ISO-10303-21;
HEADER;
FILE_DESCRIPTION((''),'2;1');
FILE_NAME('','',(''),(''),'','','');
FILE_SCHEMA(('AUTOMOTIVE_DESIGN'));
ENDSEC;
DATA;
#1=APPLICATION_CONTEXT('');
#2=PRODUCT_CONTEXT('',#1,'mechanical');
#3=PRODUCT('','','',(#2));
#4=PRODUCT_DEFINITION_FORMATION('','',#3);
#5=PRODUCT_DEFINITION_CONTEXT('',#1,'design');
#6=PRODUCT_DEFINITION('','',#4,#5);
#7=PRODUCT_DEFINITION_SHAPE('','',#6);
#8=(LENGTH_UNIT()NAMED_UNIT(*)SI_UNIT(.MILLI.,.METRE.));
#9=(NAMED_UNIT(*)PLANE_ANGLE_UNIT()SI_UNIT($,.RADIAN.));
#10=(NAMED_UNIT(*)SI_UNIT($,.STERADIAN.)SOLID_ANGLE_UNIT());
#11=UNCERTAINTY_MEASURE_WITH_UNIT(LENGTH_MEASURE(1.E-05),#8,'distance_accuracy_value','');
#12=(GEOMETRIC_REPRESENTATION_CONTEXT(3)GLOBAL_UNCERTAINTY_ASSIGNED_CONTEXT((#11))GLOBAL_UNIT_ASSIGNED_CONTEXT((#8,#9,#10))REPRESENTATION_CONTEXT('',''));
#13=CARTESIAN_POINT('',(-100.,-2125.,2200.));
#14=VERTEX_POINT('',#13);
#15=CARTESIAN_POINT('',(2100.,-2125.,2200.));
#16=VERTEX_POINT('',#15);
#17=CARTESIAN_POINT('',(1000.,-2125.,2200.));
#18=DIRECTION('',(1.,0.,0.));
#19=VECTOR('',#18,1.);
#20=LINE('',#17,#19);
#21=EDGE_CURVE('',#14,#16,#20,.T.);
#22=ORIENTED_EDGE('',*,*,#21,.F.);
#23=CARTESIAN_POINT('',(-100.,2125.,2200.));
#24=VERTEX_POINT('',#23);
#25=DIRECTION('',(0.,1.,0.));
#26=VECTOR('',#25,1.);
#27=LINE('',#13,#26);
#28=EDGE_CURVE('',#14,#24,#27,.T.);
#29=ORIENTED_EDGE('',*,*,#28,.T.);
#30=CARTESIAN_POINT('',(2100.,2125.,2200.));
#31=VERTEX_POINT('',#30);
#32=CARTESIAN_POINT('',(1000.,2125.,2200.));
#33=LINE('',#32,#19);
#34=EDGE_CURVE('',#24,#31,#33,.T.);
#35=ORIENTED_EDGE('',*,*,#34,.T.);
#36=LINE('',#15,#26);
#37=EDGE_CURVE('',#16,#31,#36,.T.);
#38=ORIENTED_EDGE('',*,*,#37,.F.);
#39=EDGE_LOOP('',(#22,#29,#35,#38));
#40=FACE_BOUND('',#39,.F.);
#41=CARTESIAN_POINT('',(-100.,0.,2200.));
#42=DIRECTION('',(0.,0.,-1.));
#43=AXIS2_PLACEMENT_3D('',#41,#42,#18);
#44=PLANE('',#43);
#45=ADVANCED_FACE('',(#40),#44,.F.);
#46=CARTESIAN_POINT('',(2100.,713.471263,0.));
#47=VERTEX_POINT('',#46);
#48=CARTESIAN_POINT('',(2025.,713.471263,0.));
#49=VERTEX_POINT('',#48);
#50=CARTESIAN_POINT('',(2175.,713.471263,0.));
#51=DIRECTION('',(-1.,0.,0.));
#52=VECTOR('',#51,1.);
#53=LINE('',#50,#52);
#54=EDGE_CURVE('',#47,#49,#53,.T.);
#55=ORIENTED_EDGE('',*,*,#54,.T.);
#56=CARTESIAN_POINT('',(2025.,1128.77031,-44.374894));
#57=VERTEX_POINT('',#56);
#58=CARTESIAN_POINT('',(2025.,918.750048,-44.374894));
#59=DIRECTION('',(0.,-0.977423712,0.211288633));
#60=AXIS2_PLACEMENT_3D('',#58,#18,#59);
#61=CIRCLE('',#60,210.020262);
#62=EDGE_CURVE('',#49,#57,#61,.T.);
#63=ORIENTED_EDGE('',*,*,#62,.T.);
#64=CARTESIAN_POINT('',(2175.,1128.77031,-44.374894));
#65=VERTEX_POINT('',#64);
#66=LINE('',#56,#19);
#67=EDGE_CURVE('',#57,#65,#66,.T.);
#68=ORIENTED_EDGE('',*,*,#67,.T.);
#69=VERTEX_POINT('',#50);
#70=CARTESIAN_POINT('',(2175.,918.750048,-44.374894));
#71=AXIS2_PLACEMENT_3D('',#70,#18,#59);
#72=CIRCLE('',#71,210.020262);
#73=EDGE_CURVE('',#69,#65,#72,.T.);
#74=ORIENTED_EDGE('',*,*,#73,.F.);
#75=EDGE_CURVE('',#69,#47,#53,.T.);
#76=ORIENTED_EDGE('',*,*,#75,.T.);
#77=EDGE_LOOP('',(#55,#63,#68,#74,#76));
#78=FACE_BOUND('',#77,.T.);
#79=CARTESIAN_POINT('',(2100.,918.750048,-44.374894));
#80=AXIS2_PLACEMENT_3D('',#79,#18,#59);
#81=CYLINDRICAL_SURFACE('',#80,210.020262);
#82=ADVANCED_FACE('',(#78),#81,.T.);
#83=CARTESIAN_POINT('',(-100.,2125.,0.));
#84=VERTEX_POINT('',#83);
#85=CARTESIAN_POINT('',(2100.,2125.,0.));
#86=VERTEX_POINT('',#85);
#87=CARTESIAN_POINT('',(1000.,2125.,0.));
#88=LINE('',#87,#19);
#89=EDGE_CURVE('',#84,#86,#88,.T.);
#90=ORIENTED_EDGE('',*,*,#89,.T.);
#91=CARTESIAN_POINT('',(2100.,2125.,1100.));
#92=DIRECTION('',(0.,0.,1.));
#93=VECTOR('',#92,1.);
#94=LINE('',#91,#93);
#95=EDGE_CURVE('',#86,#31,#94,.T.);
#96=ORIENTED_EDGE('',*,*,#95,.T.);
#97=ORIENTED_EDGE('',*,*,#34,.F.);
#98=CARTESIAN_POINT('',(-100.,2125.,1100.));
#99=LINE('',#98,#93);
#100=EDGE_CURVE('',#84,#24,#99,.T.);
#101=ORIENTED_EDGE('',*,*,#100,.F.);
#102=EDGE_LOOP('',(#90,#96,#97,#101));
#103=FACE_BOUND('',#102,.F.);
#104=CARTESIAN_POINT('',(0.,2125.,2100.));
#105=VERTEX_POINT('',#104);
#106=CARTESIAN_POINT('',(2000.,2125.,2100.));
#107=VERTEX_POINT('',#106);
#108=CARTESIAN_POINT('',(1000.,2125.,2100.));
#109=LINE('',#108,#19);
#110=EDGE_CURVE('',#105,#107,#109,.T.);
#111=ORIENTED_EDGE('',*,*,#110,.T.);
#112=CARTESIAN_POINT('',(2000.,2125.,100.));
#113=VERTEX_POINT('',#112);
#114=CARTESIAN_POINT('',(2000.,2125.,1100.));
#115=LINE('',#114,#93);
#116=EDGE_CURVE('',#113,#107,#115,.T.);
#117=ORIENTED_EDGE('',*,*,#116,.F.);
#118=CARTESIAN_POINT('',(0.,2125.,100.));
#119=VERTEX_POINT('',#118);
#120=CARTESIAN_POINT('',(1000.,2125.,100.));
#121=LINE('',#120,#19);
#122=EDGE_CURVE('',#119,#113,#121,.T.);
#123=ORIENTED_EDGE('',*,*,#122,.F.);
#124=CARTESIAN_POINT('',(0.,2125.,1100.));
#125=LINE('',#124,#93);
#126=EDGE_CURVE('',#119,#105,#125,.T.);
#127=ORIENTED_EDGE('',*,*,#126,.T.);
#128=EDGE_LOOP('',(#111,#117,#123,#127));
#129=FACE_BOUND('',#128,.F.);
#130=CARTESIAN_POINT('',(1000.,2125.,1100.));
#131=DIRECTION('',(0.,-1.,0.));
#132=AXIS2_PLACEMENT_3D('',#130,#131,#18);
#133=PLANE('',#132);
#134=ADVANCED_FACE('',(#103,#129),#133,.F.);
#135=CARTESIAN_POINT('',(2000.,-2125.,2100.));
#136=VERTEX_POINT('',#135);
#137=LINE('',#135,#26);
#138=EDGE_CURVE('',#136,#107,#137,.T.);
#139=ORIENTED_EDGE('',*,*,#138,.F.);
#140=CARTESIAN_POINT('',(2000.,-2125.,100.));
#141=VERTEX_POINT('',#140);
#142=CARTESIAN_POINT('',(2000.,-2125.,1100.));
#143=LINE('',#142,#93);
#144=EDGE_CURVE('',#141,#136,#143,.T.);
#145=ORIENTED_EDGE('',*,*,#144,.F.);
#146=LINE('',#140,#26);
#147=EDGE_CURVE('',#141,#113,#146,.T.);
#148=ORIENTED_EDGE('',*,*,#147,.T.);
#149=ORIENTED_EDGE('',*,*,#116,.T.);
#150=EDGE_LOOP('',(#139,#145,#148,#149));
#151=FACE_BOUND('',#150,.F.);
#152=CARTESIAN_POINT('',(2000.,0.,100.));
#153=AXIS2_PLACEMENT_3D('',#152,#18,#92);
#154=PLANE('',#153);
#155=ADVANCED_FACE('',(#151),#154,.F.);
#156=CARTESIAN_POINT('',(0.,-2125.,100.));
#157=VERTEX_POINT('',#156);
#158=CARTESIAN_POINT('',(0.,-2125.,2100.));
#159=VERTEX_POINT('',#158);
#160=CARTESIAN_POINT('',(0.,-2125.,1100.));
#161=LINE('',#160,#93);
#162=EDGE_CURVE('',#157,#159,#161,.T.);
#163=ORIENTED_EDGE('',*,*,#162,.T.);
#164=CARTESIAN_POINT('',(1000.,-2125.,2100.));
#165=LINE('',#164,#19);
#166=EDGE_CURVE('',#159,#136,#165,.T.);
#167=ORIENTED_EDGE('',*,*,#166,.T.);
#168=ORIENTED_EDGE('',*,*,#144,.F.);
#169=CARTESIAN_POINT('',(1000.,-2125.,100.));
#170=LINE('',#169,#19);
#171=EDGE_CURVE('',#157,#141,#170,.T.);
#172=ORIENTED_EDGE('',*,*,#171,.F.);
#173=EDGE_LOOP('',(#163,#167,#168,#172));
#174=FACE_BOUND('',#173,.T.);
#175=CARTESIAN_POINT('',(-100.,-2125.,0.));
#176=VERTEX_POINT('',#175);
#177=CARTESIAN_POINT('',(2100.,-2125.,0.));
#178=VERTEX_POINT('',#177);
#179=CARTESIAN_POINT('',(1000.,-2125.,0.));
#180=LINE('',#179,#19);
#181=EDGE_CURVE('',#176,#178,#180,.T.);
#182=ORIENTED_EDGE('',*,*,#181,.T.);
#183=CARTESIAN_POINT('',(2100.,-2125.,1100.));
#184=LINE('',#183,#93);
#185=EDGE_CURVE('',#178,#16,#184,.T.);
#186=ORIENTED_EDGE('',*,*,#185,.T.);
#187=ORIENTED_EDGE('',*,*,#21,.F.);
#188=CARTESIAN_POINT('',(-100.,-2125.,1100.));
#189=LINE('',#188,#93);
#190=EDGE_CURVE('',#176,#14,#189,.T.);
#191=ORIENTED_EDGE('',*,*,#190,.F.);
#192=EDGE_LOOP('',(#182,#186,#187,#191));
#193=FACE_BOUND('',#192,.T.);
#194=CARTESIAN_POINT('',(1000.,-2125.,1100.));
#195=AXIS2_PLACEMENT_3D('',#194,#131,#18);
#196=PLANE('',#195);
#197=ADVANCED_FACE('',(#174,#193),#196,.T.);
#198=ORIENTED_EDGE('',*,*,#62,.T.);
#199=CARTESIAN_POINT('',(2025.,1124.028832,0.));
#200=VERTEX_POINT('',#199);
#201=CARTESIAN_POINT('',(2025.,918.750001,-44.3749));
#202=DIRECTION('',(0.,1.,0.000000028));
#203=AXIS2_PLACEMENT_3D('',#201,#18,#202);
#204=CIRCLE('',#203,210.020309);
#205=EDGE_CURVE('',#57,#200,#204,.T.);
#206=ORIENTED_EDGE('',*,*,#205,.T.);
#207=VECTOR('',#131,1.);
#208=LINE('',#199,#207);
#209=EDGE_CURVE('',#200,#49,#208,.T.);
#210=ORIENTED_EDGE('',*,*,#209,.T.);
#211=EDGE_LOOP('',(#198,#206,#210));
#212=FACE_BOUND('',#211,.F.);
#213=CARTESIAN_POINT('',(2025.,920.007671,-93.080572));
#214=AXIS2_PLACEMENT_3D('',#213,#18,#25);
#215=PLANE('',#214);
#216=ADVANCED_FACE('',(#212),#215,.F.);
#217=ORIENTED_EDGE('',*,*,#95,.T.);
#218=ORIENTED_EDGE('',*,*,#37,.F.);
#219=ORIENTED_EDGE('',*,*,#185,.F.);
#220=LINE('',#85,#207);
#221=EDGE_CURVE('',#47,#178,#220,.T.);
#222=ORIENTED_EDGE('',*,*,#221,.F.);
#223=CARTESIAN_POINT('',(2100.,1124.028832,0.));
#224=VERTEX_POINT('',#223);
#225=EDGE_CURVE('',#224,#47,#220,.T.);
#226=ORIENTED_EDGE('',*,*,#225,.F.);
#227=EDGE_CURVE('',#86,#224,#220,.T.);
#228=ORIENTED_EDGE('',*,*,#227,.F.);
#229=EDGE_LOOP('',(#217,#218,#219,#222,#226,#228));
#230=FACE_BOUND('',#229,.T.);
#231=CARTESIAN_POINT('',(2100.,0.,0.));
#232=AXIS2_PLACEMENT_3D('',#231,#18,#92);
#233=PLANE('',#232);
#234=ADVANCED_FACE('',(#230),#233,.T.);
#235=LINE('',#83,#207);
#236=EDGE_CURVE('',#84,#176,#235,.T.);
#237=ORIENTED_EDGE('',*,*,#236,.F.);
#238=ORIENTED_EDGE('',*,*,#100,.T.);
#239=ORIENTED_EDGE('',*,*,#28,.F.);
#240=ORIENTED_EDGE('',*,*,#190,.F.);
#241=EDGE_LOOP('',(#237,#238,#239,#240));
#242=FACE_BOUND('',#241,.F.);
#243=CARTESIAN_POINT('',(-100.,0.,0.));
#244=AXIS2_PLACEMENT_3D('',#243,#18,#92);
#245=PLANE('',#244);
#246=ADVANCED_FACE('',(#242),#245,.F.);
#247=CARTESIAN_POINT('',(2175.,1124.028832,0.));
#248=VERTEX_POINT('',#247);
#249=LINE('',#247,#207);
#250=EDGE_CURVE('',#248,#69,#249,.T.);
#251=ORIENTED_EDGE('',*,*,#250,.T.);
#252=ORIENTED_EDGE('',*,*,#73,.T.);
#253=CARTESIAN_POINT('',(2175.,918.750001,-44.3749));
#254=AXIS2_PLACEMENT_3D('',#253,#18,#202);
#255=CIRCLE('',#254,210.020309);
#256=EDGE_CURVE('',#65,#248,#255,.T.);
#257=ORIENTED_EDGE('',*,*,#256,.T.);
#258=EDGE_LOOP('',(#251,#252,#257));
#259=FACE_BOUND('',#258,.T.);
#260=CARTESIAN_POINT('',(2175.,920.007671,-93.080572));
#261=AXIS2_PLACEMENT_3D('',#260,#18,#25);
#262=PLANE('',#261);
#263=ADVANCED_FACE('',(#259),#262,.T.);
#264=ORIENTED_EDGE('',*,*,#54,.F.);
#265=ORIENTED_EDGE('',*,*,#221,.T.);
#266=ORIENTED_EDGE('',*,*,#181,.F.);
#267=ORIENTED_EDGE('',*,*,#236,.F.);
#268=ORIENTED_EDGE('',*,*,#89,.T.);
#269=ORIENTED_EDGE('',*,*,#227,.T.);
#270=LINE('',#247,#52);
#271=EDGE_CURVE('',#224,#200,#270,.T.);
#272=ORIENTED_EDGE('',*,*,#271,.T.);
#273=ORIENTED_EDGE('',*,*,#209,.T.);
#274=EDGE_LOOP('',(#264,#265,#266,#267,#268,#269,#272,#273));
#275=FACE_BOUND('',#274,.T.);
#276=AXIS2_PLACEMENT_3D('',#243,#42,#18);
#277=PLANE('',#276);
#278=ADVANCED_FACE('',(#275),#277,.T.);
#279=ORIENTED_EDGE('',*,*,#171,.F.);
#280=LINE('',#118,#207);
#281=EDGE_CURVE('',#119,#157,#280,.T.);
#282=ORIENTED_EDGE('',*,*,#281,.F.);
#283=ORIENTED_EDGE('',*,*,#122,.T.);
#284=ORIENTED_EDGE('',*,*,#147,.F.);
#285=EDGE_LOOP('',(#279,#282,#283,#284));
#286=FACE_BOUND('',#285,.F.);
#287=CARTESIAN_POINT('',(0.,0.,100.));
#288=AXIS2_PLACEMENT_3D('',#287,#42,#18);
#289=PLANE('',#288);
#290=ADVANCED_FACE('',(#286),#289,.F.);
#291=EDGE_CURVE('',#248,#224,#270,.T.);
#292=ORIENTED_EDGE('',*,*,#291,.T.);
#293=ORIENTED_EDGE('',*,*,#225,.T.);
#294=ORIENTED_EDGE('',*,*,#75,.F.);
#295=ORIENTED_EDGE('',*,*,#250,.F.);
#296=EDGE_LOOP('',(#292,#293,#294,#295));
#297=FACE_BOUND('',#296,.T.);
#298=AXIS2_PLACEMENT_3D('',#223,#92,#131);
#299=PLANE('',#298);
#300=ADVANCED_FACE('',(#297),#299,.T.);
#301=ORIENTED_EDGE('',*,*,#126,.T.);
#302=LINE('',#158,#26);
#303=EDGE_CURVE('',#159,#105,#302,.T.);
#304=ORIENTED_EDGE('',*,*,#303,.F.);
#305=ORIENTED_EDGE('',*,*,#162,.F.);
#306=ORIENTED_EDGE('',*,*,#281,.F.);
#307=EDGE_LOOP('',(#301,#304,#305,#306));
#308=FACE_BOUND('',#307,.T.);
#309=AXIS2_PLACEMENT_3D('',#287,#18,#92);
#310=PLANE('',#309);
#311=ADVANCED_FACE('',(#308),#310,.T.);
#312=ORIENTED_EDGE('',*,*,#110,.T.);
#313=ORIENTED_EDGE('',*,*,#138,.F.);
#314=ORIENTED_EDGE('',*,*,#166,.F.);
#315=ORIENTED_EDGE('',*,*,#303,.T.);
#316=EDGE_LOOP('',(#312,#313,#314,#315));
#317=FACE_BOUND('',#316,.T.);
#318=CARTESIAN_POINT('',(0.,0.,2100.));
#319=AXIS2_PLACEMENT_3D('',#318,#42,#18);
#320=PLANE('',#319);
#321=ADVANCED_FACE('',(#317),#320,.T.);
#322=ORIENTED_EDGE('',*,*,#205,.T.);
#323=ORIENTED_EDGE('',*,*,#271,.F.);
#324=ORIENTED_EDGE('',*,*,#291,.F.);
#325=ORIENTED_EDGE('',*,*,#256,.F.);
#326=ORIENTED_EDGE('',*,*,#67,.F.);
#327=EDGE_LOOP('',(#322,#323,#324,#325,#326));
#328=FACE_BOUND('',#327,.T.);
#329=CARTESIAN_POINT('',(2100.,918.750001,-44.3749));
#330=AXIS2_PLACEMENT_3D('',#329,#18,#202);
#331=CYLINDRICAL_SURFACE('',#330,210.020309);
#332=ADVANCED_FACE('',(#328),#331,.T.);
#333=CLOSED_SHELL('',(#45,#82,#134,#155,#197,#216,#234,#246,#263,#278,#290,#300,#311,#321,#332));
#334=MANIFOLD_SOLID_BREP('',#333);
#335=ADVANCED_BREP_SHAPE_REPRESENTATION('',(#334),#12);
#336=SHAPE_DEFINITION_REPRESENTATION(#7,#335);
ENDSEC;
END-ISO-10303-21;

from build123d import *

# Parameters (mm, degrees)
F0_W     = 2200
F0_H     = 2200
F0_W_2   = 2000
F0_H_2   = 2000
F1_DEPTH = 2125
F3_DEPTH = 75


with BuildPart() as f1:
    # F0 (on Front) → F1 (new body, symmetric)
    with BuildSketch(Plane.XZ):
        with Locations((1000, 1100)):
            Rectangle(F0_W, F0_H)
        with Locations((1000, 1100)):
            Rectangle(F0_W_2, F0_H_2, mode=Mode.SUBTRACT)
    extrude(amount=F1_DEPTH, both=True)

    # F2 (on face) → F3 (join, symmetric)
    with BuildSketch(Plane.YZ.offset(2100)):
        with BuildLine():
            ThreePointArc((713.471263, 0), (896.436303, -253.206423), (1128.77031, -44.374894))
            ThreePointArc((1128.77031, -44.374894), (1127.581576, -22.061149), (1124.028832, 0))
            Line((1124.028832, 0), (713.471263, 0))
        make_face()
    extrude(amount=F3_DEPTH, both=True)


solid = f1.part
